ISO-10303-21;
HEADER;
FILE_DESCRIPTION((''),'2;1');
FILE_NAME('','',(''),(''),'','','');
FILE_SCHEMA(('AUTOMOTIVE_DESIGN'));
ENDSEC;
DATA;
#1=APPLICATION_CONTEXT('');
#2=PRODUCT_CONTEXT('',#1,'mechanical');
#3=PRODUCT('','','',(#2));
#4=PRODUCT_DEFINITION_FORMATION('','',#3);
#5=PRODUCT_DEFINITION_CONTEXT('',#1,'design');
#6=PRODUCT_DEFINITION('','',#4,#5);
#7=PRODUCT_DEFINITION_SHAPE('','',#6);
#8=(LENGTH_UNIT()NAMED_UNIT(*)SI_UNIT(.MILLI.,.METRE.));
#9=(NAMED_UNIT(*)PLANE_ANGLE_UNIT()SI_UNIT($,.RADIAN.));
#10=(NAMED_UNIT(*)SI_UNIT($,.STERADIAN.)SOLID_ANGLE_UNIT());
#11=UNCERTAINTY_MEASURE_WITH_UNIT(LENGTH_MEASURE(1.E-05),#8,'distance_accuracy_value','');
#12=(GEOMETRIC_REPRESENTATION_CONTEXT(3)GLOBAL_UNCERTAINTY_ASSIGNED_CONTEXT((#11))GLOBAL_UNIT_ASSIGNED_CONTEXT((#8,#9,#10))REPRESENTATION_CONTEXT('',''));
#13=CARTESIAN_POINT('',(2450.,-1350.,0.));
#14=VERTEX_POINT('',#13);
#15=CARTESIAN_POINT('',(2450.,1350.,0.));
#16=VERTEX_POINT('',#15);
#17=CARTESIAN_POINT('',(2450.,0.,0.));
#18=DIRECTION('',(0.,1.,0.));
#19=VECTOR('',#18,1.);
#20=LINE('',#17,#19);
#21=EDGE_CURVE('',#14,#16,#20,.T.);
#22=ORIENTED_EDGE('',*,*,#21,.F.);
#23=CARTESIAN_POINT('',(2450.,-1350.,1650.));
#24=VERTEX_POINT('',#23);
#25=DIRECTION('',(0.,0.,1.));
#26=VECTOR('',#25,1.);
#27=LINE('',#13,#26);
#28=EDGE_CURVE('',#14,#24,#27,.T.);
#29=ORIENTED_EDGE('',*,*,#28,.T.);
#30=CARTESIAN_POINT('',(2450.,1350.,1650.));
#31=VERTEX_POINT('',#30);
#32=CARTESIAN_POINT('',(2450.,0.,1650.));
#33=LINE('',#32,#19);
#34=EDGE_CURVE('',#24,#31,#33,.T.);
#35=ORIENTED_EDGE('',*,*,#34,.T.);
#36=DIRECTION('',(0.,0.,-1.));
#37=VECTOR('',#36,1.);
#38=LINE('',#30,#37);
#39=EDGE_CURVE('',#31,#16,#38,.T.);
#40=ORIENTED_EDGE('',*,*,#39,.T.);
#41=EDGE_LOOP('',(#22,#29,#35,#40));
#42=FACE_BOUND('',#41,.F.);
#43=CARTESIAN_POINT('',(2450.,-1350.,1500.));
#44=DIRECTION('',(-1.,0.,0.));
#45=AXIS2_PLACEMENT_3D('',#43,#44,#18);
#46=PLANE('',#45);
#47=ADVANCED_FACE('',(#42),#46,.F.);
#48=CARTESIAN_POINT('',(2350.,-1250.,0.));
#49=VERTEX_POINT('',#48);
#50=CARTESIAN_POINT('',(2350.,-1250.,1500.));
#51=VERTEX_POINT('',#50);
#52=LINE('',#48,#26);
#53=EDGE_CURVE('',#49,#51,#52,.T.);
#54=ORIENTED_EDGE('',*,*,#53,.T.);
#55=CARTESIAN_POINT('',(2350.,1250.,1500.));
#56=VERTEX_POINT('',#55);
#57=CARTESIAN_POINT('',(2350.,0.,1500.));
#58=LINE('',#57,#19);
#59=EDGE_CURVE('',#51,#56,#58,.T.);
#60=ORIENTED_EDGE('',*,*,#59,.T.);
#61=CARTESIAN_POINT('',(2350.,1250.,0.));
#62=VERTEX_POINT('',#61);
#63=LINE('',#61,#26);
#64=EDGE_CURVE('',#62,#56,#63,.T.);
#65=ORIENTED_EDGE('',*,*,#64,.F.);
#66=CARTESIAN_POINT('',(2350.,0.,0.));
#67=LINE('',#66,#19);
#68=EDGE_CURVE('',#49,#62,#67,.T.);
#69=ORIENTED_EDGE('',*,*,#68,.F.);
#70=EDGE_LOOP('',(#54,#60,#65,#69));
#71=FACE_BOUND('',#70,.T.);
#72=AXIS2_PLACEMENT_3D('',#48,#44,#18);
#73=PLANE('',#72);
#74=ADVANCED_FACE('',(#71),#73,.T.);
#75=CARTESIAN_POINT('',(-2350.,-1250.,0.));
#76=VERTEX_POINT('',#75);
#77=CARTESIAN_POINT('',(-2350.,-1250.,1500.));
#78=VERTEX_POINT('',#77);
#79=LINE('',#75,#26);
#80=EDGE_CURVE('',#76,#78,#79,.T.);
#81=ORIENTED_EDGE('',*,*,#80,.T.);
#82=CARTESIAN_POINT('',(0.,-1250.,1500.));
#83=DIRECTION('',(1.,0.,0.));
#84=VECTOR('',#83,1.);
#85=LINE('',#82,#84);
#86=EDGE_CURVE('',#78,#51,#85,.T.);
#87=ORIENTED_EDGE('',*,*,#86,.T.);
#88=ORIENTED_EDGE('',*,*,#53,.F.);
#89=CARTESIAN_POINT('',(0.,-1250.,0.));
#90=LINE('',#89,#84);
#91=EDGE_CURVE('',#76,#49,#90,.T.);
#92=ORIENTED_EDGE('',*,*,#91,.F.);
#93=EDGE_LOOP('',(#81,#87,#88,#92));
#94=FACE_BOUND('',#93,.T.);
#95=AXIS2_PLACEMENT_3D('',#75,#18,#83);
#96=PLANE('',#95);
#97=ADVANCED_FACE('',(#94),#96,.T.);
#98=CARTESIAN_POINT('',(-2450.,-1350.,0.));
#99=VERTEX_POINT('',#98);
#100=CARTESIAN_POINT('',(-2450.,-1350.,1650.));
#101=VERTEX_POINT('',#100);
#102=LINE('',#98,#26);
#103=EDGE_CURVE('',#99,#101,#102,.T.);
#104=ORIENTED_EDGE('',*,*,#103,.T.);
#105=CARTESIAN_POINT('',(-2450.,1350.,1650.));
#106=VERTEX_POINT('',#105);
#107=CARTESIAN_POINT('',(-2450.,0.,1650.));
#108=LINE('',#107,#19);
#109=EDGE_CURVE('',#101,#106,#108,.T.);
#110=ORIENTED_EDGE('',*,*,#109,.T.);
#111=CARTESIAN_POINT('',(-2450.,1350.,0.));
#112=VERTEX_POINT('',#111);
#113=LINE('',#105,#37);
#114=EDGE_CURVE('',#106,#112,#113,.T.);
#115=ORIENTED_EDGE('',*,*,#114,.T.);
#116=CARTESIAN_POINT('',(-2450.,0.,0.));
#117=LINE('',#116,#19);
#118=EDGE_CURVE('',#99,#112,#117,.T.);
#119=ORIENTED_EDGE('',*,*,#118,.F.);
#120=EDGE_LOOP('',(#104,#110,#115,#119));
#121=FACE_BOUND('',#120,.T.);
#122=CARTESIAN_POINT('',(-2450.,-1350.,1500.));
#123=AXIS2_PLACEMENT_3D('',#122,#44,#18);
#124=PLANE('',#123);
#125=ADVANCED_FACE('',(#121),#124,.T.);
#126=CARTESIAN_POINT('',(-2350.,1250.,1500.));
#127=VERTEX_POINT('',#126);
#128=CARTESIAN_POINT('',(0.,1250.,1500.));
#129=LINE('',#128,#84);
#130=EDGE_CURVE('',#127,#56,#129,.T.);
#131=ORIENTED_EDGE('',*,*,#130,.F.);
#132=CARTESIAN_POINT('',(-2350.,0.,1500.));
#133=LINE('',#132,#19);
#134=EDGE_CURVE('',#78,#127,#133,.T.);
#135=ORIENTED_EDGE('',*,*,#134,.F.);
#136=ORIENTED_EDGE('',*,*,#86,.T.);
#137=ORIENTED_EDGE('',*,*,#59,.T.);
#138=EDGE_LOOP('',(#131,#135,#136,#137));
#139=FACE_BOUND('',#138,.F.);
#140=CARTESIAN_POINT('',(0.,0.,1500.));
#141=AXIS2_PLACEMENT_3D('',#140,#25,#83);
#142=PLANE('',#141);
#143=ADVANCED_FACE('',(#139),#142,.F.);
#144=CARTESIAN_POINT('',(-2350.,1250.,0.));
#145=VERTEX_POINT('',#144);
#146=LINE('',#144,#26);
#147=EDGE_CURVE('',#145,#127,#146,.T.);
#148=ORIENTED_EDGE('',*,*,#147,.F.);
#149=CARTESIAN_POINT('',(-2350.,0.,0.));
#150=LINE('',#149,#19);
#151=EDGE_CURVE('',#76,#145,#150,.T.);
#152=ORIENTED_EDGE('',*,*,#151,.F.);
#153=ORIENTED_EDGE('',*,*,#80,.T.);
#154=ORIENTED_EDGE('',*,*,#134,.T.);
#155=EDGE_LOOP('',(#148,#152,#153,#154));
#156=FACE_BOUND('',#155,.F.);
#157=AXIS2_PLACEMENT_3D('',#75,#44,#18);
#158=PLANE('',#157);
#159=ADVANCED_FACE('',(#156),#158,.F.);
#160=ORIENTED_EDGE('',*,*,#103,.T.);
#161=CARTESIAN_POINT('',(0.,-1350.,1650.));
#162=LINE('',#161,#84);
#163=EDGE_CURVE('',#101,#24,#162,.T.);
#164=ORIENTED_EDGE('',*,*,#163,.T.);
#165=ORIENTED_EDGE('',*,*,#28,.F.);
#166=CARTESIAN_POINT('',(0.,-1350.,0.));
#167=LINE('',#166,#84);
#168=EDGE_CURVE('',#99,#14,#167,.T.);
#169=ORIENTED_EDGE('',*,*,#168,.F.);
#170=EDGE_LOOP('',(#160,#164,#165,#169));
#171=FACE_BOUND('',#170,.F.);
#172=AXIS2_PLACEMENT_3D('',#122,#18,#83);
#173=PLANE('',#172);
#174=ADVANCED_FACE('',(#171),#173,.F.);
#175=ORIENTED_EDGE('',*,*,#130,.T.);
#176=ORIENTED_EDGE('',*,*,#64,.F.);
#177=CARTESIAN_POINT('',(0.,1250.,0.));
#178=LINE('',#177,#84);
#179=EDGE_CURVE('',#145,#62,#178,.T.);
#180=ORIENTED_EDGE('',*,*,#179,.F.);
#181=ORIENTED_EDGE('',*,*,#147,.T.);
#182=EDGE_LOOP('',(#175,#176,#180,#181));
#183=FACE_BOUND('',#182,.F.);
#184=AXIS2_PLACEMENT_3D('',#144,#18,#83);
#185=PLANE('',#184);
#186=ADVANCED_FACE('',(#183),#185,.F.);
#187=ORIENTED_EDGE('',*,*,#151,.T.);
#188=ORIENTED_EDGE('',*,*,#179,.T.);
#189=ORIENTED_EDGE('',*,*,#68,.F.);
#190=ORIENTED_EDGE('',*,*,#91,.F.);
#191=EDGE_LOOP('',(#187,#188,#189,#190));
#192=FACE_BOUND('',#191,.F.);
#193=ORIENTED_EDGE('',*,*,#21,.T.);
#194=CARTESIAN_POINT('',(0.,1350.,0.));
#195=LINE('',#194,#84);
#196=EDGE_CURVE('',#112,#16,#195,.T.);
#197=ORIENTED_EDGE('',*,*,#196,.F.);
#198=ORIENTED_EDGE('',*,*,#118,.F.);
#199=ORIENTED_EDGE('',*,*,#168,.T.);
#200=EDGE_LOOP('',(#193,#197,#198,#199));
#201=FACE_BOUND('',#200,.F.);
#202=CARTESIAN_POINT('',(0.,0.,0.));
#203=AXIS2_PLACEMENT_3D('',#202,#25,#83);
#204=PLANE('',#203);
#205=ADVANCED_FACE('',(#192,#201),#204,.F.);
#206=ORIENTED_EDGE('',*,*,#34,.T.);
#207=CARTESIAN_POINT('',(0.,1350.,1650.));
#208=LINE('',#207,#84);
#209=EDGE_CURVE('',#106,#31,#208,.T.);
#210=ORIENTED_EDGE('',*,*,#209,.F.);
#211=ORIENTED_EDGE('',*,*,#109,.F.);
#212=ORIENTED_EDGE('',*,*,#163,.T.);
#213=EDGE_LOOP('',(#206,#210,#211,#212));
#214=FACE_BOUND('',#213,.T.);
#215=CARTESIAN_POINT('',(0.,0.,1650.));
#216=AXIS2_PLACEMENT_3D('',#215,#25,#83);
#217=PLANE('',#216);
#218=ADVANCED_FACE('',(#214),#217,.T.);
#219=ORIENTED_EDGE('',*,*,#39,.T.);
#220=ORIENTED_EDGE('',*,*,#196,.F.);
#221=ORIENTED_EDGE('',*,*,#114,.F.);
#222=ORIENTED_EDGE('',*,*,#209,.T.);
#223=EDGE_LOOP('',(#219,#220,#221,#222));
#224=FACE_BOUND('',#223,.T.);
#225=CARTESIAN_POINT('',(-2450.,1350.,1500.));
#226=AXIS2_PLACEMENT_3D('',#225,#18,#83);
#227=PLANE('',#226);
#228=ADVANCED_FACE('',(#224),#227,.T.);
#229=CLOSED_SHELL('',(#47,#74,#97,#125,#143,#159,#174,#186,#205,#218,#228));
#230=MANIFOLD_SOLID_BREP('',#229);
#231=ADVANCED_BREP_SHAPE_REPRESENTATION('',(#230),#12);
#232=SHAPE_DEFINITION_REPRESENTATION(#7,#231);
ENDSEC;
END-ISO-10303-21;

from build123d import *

# Parameters (mm, degrees)
F0_W     = 4900
F0_H     = 2700
F0_W_2   = 4700
F0_H_2   = 2500
F1_DEPTH = 1500
F2_W     = 4900
F2_H     = 2700
F2_W_2   = 4700
F2_H_2   = 2500
F3_DEPTH = 150


with BuildPart() as f1:
    # F0 (on Top) → F1 (new body)
    with BuildSketch(Plane.XY):
        Rectangle(F0_W, F0_H)
        Rectangle(F0_W_2, F0_H_2, mode=Mode.SUBTRACT)
    extrude(amount=F1_DEPTH)

    # F2 (on face) → F3 (join)
    with BuildSketch(Plane.XY.offset(1500)):
        Rectangle(F2_W, F2_H)
        Rectangle(F2_W_2, F2_H_2, mode=Mode.SUBTRACT)
        Rectangle(F2_W_2, F2_H_2)
    extrude(amount=F3_DEPTH)


solid = f1.part
